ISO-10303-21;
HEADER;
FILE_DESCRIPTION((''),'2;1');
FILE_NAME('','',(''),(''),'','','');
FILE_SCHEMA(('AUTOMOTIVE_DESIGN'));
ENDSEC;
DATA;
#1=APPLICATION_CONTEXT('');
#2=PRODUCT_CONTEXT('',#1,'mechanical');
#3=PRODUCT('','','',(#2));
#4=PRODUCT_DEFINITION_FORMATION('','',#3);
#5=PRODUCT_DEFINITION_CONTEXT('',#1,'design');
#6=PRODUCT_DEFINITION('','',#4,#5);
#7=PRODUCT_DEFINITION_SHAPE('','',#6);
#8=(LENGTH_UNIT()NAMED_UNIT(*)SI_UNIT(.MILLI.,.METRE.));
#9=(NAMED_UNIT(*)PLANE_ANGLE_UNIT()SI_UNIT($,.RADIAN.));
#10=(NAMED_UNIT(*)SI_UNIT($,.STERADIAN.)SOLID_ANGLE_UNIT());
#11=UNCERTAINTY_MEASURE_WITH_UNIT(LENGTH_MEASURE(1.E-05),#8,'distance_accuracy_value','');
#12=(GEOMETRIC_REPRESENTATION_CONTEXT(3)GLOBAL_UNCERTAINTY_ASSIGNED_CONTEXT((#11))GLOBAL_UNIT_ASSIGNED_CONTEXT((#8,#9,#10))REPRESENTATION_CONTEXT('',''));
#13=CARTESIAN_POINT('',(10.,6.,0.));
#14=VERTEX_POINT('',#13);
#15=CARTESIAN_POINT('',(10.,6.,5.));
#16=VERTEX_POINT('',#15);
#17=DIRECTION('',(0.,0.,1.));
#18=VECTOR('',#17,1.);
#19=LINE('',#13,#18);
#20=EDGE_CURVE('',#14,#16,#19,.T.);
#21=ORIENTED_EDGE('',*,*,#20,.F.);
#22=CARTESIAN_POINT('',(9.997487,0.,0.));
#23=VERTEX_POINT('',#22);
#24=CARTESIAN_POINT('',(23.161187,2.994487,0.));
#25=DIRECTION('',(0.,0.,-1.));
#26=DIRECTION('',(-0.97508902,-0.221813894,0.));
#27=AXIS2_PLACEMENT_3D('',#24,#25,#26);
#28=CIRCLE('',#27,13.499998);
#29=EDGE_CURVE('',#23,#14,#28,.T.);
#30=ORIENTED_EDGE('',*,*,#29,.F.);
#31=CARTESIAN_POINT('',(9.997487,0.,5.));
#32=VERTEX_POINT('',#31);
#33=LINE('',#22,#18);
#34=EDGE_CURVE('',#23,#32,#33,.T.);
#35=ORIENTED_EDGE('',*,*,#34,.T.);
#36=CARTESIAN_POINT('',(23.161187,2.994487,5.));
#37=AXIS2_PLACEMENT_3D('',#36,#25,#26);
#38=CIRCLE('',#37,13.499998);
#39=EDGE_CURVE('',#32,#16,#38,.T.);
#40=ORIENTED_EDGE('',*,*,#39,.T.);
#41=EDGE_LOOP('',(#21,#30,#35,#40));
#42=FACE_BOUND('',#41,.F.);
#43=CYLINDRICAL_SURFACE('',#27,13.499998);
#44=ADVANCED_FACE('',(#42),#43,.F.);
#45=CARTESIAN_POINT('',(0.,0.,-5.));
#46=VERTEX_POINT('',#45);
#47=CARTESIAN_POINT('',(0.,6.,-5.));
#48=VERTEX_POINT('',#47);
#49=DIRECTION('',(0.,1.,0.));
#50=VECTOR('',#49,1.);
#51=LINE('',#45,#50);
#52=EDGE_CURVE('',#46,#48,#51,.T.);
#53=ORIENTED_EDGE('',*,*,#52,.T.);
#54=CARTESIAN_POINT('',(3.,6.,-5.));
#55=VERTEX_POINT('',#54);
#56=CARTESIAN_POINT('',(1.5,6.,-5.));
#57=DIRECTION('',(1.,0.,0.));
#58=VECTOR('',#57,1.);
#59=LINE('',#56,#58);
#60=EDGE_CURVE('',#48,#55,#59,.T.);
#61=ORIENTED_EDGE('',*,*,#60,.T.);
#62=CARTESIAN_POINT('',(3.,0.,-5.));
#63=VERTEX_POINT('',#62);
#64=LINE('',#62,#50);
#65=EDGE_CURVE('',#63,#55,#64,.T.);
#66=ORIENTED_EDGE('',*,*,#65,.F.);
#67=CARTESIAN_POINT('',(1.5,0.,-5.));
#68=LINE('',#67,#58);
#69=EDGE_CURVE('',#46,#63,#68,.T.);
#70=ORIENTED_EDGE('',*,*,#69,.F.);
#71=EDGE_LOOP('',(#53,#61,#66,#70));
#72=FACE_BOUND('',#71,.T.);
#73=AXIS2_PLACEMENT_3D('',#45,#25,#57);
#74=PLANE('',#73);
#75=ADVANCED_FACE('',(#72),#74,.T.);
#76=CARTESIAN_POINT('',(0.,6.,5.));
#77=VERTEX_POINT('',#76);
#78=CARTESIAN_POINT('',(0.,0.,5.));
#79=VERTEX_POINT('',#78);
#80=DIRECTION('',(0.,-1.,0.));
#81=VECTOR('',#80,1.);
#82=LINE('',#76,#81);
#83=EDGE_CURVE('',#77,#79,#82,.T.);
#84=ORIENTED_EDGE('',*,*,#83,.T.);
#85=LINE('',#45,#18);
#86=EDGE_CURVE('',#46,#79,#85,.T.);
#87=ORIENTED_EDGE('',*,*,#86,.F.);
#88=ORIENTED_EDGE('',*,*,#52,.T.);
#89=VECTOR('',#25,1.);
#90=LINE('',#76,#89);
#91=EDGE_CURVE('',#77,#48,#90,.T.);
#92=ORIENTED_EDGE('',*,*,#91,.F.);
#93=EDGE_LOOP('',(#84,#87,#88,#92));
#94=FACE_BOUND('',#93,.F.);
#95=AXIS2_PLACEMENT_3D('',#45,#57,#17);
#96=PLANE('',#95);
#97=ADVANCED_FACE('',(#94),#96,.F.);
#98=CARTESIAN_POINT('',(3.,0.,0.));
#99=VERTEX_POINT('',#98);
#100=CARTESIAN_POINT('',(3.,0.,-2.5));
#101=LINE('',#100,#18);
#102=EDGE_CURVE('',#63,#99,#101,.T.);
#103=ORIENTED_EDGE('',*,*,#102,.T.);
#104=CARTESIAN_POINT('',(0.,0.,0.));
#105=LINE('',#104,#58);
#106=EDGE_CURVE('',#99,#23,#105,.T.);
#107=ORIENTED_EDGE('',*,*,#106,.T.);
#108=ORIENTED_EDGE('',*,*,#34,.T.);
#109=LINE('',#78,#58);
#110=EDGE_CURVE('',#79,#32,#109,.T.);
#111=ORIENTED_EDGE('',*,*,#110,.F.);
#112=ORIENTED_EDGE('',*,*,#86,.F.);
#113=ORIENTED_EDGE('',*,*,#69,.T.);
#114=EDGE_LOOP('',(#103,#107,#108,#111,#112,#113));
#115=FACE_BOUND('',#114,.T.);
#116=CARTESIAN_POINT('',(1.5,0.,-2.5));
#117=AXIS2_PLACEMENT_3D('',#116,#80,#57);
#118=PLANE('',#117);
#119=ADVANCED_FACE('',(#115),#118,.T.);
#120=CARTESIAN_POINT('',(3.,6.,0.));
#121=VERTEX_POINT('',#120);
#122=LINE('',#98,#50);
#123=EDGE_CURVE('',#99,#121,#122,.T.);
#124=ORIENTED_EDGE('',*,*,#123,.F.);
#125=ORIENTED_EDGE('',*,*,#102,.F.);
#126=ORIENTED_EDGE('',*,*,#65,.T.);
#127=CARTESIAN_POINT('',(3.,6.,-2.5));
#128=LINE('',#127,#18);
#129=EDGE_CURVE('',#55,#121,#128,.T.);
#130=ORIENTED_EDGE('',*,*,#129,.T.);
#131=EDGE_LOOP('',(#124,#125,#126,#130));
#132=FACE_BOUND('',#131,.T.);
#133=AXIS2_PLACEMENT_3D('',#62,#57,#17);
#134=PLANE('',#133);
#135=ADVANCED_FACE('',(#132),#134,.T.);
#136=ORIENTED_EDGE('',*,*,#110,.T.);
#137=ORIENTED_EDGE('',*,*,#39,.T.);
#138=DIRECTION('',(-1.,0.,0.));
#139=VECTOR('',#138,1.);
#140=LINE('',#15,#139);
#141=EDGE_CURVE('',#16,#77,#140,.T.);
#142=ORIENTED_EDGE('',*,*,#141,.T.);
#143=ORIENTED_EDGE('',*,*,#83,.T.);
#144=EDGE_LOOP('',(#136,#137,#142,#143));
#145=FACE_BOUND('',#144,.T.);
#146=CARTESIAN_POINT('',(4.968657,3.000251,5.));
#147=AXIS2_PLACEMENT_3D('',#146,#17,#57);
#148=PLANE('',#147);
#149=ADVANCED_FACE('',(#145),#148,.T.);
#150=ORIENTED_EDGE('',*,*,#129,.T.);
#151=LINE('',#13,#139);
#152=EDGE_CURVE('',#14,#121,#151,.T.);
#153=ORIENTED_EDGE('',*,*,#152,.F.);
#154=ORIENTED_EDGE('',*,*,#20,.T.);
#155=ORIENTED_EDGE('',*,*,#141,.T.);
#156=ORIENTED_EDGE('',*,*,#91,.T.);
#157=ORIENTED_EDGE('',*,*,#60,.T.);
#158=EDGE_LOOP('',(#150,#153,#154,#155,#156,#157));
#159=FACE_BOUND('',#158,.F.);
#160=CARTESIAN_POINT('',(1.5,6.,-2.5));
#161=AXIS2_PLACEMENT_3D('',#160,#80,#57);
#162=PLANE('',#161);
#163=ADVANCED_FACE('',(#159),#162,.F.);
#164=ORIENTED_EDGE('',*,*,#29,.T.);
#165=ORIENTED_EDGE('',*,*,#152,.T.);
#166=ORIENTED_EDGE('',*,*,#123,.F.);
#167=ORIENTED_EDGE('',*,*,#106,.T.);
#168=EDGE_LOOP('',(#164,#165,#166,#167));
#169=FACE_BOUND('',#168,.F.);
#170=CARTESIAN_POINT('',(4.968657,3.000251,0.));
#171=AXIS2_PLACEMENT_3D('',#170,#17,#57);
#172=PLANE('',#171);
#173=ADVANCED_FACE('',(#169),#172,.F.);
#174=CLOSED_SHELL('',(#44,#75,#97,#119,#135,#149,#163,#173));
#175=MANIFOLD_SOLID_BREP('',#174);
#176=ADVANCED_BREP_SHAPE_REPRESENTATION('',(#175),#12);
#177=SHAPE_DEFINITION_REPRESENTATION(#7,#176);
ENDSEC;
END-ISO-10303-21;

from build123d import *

# Parameters (mm, degrees)
F1_DEPTH = 5
F2_W     = 3
F2_H     = 5
F3_DEPTH = 6


with BuildPart() as f1:
    # F0 (on Top) → F1 (new body)
    with BuildSketch(Plane.XY):
        with BuildLine():
            ThreePointArc((9.997487, 0), (9.66119, 3.000141), (10, 6))
            Line((10, 6), (0, 6))
            Line((0, 6), (0, 0))
            Line((0, 0), (9.997487, 0))
        make_face()
    extrude(amount=F1_DEPTH)

    # F2 (on face) → F3 (join)
    with BuildSketch(Plane.XZ):
        with Locations((1.5, -2.5)):
            Rectangle(F2_W, F2_H)
    extrude(amount=-F3_DEPTH)


solid = f1.part
